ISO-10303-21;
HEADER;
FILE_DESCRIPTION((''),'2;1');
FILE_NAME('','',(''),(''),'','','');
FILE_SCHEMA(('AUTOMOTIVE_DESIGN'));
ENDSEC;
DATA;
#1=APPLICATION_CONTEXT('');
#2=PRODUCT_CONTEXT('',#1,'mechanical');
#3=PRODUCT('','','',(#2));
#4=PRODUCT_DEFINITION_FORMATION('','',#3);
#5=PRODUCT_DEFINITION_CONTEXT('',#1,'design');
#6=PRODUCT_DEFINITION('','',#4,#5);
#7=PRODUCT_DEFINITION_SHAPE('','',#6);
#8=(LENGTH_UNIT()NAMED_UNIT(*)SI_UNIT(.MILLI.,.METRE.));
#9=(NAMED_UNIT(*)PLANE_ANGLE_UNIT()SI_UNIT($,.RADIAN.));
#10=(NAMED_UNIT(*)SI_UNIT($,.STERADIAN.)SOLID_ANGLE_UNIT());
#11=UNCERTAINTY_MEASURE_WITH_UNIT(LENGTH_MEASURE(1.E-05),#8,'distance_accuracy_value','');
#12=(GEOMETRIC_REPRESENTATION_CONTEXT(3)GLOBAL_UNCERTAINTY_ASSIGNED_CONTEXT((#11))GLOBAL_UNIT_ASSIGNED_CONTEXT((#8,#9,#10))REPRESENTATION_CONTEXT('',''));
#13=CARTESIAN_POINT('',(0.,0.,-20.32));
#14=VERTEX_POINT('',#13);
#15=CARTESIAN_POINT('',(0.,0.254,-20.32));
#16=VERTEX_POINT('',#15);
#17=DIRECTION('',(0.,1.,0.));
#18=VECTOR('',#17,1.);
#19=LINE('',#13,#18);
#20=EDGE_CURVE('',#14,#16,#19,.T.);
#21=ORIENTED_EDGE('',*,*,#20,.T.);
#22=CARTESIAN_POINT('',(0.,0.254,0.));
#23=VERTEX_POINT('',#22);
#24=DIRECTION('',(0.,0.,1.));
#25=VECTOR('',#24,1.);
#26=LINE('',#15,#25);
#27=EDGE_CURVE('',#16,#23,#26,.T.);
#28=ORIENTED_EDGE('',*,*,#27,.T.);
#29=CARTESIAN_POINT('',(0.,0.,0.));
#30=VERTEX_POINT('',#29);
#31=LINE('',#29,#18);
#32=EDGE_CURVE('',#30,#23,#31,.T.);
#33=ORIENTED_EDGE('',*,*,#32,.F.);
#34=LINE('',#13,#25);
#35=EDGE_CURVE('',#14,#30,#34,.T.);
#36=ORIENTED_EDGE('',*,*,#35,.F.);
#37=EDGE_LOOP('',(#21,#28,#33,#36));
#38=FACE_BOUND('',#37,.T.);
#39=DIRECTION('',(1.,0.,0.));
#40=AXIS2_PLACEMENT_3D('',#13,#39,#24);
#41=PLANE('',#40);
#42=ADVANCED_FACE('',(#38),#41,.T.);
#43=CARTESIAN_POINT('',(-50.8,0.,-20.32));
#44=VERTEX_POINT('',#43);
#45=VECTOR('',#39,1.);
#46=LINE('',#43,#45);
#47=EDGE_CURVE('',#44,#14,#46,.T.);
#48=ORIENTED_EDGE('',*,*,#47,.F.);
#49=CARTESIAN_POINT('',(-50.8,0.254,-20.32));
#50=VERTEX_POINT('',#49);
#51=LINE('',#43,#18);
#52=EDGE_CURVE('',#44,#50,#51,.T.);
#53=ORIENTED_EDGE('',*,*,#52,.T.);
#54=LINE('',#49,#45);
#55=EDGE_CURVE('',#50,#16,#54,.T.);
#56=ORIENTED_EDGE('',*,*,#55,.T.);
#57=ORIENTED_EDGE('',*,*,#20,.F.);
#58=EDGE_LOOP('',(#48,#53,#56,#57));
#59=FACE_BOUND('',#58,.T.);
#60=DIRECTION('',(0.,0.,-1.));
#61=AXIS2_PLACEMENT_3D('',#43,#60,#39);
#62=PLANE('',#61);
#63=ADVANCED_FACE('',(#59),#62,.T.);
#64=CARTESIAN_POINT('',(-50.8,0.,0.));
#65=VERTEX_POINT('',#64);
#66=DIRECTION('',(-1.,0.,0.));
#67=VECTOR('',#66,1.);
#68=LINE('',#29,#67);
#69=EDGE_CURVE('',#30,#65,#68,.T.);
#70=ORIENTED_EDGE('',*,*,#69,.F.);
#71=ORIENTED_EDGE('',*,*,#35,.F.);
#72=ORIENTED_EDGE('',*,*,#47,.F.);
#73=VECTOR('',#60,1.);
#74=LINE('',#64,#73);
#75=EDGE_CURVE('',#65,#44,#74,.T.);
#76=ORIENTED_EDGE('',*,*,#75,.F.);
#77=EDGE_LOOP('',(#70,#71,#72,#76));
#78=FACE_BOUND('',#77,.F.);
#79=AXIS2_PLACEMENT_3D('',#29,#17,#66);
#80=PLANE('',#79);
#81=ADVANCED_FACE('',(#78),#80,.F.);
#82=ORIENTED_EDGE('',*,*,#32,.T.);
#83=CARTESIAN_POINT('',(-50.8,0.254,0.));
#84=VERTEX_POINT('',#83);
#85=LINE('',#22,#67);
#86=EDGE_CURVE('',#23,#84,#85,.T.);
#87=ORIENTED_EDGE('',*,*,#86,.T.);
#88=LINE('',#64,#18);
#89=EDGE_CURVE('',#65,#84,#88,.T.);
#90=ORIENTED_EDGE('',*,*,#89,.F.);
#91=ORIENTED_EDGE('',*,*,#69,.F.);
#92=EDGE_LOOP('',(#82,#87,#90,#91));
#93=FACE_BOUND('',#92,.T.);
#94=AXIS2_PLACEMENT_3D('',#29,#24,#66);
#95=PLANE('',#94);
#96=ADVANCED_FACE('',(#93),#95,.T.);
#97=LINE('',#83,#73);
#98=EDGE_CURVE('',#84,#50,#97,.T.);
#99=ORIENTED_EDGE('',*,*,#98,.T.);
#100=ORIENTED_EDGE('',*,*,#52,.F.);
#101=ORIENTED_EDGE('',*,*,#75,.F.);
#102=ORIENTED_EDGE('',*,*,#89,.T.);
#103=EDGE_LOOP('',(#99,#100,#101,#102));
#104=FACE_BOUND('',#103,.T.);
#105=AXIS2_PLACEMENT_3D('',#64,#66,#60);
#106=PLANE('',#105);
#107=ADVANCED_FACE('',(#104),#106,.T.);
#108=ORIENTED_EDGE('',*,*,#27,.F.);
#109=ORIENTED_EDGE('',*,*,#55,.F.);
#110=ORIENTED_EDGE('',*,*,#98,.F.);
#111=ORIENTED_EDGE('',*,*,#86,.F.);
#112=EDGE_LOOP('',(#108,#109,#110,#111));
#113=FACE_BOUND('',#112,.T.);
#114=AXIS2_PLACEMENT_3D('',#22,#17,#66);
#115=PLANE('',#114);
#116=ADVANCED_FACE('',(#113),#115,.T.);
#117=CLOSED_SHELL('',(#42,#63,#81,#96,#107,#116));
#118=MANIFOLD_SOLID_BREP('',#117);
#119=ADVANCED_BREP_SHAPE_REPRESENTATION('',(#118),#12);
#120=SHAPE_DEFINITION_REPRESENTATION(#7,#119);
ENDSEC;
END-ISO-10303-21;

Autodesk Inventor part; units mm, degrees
ref_plane "YZ Plane" through (0, 0, 0) normal (1, 0, 0) x (0, 1, 0)
ref_plane "XZ Plane" through (0, 0, 0) normal (0, 1, 0) x (-1, 0, 0)
ref_plane "XY Plane" through (0, 0, 0) normal (0, 0, 1) x (1, 0, 0)
sketch "Sketch1" plane through (0, 0, 0) normal (0, 1, 0) x (-1, 0, 0)
  line L0 (0, 0) -> (50.8, 0)
  line L1 (50.8, 0) -> (50.8, -20.32)
  line L2 (50.8, -20.32) -> (0, -20.32)
  line L3 (0, -20.32) -> (0, 0)
  dimension "d0" = 50.8
  dimension "d1" = 20.32
extrude "Extrusion1" add sketch "Sketch1" along normal blind 0.254
sketch "Sketch2" plane through (0, 0.254, 0) normal (0, 1, 0) x (1, 0, 0)
  line L0 (0, 0) -> (0, 20.32) projected
  line L1 (-50.8, 20.32) -> (-50.8, 0) projected
  line L2 (0, 20.32) -> (-50.8, 20.32) projected
  line L3 (-50.8, 0) -> (0, 0) projected
  point P0 (-38.1, 10.16)
  point P1 (-44.45, 5.08)
  point P2 (-42.3832, 14.1547)
  point P3 (-34.8233, 6.5948)
  point P4 (-34.1844, 14.1547)
  dimension "d4" = 50.8
  dimension "d7" = 20.32
  dimension "d9" = 12.7
  dimension "d10" = 10.16
  dimension "d11" = 5.08
  dimension "d12" = 6.35
equation "\"d9\" = 0.25 * d4"
equation "\"d10\" = 0.5 * d7"
equation "\"d11\" = 0.5 * d10"
equation "\"d12\" = 0.5 * d9"
properties part number "MAX Quarter-Scale Servo Frame Mounting Bracket"
